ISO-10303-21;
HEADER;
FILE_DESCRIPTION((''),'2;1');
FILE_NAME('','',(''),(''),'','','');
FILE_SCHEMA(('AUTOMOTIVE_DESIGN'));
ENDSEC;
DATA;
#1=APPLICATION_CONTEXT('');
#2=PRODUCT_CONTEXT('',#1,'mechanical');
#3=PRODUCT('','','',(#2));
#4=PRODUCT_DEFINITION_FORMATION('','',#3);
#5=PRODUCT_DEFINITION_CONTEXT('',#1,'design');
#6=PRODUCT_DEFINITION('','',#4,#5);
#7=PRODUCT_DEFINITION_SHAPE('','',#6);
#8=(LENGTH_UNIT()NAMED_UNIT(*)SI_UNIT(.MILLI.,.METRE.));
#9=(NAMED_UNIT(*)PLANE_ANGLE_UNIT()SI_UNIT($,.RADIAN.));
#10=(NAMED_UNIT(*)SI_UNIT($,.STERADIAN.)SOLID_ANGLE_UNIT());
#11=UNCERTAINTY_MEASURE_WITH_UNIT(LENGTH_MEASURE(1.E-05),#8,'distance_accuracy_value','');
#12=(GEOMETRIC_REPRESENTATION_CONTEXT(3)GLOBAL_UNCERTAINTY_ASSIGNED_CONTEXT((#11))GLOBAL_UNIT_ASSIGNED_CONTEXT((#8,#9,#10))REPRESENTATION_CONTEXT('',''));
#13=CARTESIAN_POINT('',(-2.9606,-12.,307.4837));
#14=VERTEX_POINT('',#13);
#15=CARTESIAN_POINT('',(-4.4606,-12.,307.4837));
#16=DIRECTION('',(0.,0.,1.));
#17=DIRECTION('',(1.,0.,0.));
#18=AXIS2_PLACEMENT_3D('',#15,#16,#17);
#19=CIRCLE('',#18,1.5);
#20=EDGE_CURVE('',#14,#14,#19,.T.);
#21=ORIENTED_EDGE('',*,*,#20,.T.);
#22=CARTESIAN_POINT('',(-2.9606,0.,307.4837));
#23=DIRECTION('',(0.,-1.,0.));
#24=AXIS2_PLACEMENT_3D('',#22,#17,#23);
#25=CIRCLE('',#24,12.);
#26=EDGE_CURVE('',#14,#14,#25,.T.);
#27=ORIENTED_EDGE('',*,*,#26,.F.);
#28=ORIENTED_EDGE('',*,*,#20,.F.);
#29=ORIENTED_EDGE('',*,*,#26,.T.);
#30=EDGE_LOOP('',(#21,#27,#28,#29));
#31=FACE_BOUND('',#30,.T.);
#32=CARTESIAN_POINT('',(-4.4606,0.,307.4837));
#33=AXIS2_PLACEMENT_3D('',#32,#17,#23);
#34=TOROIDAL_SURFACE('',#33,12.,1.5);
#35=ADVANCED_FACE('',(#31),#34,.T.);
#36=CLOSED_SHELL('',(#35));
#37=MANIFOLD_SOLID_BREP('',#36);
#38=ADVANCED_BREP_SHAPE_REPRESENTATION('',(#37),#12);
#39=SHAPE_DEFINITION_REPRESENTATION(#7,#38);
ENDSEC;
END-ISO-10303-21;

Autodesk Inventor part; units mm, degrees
ref_plane "YZ Plane" through (0, 0, 0) normal (1, 0, 0) x (0, 1, 0)
ref_plane "XZ Plane" through (0, 0, 0) normal (0, 1, 0) x (-1, 0, 0)
ref_plane "XY Plane" through (0, 0, 0) normal (0, 0, 1) x (1, 0, 0)
ref_plane "Arbeitsebene1" through (11.2054, 6.4475, 307.4837) normal (0, 0, 1) x (1, 0, 0)
sketch "Skizze1" plane through (11.2054, 6.4475, 307.4837) normal (0, 0, 1) x (1, 0, 0)
  circle A0 centre (-15.666, -18.4475) radius 1.5
  line L0 (-18.3582, -6.4475) -> (-10.0133, -6.4475) projected
  point P0 (-11.2054, -6.4475)
  dimension "d0" = 3
  dimension "d1" = 12
revolve "Umdrehung1" add sketch "Skizze1" angle 360 about axis through (-10, 0, 307.4837) along (1, 0, 0)
properties part number "00_0-ring"
